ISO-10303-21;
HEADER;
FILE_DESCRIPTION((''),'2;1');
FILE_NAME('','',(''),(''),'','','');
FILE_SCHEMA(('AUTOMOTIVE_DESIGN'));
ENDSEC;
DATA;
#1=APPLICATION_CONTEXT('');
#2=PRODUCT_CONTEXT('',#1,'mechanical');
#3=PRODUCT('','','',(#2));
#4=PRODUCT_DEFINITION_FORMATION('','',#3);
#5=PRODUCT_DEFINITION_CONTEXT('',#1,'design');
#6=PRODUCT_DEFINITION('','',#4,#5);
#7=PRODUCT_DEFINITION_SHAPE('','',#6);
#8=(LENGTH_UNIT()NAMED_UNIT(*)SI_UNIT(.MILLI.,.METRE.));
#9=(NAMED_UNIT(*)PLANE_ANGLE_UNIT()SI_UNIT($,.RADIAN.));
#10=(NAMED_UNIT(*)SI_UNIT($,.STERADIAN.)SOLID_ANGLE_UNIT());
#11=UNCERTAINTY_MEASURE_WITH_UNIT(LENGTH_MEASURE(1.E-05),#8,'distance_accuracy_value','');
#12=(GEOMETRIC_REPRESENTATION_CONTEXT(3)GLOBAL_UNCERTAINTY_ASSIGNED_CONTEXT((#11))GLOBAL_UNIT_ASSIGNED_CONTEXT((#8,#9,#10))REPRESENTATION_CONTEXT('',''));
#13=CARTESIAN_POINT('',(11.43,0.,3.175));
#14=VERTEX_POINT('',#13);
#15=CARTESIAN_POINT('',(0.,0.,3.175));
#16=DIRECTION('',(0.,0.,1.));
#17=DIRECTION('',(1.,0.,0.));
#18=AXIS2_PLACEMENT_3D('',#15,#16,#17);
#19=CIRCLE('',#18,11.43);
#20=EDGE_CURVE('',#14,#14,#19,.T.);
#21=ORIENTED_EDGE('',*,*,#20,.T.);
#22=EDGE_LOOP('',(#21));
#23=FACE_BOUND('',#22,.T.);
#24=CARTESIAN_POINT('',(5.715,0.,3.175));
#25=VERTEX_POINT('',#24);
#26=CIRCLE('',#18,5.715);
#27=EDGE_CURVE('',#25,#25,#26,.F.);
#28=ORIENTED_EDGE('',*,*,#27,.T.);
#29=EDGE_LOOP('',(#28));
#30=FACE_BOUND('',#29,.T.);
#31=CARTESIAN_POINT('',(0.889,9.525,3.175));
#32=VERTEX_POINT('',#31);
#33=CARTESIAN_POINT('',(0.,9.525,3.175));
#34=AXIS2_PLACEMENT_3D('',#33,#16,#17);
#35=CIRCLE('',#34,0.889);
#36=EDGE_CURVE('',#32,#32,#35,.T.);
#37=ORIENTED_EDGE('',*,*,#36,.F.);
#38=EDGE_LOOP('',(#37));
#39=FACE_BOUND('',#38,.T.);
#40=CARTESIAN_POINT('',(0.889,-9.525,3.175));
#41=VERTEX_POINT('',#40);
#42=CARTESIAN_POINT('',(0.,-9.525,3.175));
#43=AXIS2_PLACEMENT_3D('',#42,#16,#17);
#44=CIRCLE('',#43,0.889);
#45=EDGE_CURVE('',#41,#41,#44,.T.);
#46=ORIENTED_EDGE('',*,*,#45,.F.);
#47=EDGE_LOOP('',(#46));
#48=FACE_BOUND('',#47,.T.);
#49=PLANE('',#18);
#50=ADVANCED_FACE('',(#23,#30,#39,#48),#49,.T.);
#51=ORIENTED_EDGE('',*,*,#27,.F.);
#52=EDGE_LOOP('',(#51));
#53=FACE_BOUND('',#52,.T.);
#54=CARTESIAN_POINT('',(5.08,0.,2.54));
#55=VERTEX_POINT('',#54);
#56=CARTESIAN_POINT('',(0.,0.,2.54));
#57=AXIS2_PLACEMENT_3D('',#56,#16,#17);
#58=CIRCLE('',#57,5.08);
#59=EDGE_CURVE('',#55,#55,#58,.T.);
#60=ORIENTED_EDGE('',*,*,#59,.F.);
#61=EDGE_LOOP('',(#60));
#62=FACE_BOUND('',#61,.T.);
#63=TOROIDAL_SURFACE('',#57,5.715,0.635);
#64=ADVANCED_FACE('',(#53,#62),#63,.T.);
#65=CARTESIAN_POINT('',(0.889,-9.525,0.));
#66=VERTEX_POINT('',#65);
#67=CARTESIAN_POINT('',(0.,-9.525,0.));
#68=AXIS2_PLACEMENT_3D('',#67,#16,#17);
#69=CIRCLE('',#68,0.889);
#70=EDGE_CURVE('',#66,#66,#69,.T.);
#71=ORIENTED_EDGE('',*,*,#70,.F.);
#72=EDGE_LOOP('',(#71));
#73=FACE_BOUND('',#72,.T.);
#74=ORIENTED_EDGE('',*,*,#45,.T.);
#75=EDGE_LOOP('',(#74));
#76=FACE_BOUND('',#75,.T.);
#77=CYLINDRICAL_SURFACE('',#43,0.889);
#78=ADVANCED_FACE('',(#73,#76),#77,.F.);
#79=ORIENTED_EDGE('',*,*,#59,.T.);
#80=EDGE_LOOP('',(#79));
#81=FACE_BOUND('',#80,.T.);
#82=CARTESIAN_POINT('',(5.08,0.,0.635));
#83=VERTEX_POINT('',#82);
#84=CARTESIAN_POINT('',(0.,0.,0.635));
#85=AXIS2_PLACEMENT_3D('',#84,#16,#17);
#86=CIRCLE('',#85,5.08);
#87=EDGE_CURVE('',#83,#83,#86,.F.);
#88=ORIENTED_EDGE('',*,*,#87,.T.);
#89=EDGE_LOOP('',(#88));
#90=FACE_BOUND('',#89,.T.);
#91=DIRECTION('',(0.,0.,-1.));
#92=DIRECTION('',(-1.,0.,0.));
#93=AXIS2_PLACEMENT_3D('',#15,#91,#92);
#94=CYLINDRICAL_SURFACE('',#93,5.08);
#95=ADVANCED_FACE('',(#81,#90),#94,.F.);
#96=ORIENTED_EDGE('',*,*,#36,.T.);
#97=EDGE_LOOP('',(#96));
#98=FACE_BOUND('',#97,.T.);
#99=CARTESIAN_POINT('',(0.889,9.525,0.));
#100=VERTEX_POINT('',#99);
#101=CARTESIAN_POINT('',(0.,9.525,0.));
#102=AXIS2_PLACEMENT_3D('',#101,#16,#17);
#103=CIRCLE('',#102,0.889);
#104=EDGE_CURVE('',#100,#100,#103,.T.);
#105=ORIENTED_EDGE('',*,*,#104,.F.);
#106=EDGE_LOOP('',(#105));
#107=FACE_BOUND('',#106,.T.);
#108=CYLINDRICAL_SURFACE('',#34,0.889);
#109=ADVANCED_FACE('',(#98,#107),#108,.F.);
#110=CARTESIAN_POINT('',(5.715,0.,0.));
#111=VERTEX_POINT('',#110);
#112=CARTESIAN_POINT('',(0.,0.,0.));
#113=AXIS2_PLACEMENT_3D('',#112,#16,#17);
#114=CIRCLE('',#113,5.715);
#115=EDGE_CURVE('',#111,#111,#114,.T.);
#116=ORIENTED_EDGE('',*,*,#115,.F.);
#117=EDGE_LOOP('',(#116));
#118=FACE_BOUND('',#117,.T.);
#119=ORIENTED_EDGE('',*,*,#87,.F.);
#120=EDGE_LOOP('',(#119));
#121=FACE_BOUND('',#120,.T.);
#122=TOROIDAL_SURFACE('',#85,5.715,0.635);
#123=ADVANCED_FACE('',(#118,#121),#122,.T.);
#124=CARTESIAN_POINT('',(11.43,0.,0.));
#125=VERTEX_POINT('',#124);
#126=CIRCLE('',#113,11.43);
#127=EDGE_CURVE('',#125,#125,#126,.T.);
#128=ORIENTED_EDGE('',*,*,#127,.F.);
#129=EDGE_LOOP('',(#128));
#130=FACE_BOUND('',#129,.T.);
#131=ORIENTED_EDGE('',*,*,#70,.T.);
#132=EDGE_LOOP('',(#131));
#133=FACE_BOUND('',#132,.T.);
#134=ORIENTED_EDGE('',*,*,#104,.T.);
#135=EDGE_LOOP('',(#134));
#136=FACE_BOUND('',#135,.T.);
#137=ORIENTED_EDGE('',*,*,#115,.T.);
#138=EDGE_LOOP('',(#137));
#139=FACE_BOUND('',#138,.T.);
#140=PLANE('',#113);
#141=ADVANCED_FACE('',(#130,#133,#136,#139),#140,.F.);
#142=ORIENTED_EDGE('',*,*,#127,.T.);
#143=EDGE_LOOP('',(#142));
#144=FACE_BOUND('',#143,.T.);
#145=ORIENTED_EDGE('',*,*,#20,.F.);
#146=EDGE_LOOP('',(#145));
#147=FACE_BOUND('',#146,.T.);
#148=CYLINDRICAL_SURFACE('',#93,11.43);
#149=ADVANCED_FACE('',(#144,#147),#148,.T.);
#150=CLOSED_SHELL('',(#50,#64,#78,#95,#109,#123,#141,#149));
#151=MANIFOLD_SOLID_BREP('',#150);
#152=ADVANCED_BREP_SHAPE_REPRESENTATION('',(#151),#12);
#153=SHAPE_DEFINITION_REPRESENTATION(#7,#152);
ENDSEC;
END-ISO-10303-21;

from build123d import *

# Parameters (mm, degrees)
SKETCH1_R             = 11.43
SKETCH1_R_2           = 5.08
BOSS_EXTRUDE1_DEPTH   = 3.175
FILLET1_R             = 0.635
F_2_56_TAPPED_HOLE1_D = 1.778


with BuildPart() as part:
    # Sketch1 → Boss-Extrude1 (new body)
    with BuildSketch(Plane.XY):
        Circle(SKETCH1_R)
        Circle(SKETCH1_R_2, mode=Mode.SUBTRACT)
    extrude(amount=BOSS_EXTRUDE1_DEPTH)

    # Fillet1
    fillet1_edges = [part.edges().sort_by_distance(p)[0] for p in [
        (-5.08, 0, 0),
        (-5.08, 0, 3.175),
    ]]
    fillet(fillet1_edges, radius=FILLET1_R)

    # #2-56 Tapped Hole1 (through all)
    with Locations(Plane.XY.offset(3.175)):
        with Locations((0, 9.525)):
            f_2_56_tapped_hole1 = Hole(F_2_56_TAPPED_HOLE1_D / 2)

    # Mirror1: #2-56 Tapped Hole1 across plane
    add(f_2_56_tapped_hole1.mirror(Plane.ZX), mode=Mode.SUBTRACT)


solid = part.part
